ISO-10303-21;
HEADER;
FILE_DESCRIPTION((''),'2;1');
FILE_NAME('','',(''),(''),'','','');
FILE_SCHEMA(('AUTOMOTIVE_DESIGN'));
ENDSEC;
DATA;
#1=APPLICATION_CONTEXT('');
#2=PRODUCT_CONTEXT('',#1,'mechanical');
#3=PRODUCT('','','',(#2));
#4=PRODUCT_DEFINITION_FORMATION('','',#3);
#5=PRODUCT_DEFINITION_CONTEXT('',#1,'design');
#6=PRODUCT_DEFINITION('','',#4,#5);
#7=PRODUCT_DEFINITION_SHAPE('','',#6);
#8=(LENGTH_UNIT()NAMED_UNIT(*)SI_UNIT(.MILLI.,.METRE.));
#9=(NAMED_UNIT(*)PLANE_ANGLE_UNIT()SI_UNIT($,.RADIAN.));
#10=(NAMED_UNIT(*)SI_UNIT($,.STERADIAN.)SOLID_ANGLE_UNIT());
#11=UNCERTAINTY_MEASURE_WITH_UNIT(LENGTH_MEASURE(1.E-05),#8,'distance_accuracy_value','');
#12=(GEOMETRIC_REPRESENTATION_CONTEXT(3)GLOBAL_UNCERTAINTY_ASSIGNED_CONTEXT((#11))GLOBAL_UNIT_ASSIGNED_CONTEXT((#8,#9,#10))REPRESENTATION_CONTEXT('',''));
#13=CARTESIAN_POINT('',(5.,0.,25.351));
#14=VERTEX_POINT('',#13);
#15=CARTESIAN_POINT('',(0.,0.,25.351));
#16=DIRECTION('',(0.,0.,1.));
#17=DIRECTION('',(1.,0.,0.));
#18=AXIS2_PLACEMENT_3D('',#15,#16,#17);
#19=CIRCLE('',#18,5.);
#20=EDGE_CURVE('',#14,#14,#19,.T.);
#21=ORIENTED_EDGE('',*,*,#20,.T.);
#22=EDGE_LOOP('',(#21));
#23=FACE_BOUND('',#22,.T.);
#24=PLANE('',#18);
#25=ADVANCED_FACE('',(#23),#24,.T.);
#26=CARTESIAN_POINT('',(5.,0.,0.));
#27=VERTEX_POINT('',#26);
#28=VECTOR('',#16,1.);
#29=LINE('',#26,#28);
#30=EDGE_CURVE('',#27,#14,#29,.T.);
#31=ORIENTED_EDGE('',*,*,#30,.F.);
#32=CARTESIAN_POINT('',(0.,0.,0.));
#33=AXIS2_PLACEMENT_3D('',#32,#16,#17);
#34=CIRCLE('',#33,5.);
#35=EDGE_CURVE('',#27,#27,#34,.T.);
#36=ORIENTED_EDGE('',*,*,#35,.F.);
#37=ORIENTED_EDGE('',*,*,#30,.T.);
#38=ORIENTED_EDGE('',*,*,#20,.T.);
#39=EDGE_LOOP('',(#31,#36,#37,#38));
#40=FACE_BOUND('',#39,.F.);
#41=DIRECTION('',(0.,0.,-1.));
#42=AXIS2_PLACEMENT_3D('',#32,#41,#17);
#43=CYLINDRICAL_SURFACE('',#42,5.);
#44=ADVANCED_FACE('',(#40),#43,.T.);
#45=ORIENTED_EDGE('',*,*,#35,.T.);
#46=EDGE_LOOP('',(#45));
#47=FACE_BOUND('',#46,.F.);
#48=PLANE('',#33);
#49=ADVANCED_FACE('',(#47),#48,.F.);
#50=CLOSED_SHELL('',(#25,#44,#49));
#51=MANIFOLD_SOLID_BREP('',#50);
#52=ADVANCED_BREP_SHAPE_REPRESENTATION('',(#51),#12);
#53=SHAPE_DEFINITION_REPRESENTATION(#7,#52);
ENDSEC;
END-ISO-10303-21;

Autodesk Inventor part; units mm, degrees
ref_plane "YZ Plane" through (0, 0, 0) normal (1, 0, 0) x (0, 1, 0)
ref_plane "XZ Plane" through (0, 0, 0) normal (0, 1, 0) x (-1, 0, 0)
ref_plane "XY Plane" through (0, 0, 0) normal (0, 0, 1) x (1, 0, 0)
sketch "Skizze1" plane through (0, 0, 0) normal (0, 0, 1) x (1, 0, 0)
  circle A0 centre (0, 0) radius 5
  dimension "d0" = 10
extrude "Extrusion1" add sketch "Skizze1" along normal blind 25.351
properties part number "motorzuplanete"
